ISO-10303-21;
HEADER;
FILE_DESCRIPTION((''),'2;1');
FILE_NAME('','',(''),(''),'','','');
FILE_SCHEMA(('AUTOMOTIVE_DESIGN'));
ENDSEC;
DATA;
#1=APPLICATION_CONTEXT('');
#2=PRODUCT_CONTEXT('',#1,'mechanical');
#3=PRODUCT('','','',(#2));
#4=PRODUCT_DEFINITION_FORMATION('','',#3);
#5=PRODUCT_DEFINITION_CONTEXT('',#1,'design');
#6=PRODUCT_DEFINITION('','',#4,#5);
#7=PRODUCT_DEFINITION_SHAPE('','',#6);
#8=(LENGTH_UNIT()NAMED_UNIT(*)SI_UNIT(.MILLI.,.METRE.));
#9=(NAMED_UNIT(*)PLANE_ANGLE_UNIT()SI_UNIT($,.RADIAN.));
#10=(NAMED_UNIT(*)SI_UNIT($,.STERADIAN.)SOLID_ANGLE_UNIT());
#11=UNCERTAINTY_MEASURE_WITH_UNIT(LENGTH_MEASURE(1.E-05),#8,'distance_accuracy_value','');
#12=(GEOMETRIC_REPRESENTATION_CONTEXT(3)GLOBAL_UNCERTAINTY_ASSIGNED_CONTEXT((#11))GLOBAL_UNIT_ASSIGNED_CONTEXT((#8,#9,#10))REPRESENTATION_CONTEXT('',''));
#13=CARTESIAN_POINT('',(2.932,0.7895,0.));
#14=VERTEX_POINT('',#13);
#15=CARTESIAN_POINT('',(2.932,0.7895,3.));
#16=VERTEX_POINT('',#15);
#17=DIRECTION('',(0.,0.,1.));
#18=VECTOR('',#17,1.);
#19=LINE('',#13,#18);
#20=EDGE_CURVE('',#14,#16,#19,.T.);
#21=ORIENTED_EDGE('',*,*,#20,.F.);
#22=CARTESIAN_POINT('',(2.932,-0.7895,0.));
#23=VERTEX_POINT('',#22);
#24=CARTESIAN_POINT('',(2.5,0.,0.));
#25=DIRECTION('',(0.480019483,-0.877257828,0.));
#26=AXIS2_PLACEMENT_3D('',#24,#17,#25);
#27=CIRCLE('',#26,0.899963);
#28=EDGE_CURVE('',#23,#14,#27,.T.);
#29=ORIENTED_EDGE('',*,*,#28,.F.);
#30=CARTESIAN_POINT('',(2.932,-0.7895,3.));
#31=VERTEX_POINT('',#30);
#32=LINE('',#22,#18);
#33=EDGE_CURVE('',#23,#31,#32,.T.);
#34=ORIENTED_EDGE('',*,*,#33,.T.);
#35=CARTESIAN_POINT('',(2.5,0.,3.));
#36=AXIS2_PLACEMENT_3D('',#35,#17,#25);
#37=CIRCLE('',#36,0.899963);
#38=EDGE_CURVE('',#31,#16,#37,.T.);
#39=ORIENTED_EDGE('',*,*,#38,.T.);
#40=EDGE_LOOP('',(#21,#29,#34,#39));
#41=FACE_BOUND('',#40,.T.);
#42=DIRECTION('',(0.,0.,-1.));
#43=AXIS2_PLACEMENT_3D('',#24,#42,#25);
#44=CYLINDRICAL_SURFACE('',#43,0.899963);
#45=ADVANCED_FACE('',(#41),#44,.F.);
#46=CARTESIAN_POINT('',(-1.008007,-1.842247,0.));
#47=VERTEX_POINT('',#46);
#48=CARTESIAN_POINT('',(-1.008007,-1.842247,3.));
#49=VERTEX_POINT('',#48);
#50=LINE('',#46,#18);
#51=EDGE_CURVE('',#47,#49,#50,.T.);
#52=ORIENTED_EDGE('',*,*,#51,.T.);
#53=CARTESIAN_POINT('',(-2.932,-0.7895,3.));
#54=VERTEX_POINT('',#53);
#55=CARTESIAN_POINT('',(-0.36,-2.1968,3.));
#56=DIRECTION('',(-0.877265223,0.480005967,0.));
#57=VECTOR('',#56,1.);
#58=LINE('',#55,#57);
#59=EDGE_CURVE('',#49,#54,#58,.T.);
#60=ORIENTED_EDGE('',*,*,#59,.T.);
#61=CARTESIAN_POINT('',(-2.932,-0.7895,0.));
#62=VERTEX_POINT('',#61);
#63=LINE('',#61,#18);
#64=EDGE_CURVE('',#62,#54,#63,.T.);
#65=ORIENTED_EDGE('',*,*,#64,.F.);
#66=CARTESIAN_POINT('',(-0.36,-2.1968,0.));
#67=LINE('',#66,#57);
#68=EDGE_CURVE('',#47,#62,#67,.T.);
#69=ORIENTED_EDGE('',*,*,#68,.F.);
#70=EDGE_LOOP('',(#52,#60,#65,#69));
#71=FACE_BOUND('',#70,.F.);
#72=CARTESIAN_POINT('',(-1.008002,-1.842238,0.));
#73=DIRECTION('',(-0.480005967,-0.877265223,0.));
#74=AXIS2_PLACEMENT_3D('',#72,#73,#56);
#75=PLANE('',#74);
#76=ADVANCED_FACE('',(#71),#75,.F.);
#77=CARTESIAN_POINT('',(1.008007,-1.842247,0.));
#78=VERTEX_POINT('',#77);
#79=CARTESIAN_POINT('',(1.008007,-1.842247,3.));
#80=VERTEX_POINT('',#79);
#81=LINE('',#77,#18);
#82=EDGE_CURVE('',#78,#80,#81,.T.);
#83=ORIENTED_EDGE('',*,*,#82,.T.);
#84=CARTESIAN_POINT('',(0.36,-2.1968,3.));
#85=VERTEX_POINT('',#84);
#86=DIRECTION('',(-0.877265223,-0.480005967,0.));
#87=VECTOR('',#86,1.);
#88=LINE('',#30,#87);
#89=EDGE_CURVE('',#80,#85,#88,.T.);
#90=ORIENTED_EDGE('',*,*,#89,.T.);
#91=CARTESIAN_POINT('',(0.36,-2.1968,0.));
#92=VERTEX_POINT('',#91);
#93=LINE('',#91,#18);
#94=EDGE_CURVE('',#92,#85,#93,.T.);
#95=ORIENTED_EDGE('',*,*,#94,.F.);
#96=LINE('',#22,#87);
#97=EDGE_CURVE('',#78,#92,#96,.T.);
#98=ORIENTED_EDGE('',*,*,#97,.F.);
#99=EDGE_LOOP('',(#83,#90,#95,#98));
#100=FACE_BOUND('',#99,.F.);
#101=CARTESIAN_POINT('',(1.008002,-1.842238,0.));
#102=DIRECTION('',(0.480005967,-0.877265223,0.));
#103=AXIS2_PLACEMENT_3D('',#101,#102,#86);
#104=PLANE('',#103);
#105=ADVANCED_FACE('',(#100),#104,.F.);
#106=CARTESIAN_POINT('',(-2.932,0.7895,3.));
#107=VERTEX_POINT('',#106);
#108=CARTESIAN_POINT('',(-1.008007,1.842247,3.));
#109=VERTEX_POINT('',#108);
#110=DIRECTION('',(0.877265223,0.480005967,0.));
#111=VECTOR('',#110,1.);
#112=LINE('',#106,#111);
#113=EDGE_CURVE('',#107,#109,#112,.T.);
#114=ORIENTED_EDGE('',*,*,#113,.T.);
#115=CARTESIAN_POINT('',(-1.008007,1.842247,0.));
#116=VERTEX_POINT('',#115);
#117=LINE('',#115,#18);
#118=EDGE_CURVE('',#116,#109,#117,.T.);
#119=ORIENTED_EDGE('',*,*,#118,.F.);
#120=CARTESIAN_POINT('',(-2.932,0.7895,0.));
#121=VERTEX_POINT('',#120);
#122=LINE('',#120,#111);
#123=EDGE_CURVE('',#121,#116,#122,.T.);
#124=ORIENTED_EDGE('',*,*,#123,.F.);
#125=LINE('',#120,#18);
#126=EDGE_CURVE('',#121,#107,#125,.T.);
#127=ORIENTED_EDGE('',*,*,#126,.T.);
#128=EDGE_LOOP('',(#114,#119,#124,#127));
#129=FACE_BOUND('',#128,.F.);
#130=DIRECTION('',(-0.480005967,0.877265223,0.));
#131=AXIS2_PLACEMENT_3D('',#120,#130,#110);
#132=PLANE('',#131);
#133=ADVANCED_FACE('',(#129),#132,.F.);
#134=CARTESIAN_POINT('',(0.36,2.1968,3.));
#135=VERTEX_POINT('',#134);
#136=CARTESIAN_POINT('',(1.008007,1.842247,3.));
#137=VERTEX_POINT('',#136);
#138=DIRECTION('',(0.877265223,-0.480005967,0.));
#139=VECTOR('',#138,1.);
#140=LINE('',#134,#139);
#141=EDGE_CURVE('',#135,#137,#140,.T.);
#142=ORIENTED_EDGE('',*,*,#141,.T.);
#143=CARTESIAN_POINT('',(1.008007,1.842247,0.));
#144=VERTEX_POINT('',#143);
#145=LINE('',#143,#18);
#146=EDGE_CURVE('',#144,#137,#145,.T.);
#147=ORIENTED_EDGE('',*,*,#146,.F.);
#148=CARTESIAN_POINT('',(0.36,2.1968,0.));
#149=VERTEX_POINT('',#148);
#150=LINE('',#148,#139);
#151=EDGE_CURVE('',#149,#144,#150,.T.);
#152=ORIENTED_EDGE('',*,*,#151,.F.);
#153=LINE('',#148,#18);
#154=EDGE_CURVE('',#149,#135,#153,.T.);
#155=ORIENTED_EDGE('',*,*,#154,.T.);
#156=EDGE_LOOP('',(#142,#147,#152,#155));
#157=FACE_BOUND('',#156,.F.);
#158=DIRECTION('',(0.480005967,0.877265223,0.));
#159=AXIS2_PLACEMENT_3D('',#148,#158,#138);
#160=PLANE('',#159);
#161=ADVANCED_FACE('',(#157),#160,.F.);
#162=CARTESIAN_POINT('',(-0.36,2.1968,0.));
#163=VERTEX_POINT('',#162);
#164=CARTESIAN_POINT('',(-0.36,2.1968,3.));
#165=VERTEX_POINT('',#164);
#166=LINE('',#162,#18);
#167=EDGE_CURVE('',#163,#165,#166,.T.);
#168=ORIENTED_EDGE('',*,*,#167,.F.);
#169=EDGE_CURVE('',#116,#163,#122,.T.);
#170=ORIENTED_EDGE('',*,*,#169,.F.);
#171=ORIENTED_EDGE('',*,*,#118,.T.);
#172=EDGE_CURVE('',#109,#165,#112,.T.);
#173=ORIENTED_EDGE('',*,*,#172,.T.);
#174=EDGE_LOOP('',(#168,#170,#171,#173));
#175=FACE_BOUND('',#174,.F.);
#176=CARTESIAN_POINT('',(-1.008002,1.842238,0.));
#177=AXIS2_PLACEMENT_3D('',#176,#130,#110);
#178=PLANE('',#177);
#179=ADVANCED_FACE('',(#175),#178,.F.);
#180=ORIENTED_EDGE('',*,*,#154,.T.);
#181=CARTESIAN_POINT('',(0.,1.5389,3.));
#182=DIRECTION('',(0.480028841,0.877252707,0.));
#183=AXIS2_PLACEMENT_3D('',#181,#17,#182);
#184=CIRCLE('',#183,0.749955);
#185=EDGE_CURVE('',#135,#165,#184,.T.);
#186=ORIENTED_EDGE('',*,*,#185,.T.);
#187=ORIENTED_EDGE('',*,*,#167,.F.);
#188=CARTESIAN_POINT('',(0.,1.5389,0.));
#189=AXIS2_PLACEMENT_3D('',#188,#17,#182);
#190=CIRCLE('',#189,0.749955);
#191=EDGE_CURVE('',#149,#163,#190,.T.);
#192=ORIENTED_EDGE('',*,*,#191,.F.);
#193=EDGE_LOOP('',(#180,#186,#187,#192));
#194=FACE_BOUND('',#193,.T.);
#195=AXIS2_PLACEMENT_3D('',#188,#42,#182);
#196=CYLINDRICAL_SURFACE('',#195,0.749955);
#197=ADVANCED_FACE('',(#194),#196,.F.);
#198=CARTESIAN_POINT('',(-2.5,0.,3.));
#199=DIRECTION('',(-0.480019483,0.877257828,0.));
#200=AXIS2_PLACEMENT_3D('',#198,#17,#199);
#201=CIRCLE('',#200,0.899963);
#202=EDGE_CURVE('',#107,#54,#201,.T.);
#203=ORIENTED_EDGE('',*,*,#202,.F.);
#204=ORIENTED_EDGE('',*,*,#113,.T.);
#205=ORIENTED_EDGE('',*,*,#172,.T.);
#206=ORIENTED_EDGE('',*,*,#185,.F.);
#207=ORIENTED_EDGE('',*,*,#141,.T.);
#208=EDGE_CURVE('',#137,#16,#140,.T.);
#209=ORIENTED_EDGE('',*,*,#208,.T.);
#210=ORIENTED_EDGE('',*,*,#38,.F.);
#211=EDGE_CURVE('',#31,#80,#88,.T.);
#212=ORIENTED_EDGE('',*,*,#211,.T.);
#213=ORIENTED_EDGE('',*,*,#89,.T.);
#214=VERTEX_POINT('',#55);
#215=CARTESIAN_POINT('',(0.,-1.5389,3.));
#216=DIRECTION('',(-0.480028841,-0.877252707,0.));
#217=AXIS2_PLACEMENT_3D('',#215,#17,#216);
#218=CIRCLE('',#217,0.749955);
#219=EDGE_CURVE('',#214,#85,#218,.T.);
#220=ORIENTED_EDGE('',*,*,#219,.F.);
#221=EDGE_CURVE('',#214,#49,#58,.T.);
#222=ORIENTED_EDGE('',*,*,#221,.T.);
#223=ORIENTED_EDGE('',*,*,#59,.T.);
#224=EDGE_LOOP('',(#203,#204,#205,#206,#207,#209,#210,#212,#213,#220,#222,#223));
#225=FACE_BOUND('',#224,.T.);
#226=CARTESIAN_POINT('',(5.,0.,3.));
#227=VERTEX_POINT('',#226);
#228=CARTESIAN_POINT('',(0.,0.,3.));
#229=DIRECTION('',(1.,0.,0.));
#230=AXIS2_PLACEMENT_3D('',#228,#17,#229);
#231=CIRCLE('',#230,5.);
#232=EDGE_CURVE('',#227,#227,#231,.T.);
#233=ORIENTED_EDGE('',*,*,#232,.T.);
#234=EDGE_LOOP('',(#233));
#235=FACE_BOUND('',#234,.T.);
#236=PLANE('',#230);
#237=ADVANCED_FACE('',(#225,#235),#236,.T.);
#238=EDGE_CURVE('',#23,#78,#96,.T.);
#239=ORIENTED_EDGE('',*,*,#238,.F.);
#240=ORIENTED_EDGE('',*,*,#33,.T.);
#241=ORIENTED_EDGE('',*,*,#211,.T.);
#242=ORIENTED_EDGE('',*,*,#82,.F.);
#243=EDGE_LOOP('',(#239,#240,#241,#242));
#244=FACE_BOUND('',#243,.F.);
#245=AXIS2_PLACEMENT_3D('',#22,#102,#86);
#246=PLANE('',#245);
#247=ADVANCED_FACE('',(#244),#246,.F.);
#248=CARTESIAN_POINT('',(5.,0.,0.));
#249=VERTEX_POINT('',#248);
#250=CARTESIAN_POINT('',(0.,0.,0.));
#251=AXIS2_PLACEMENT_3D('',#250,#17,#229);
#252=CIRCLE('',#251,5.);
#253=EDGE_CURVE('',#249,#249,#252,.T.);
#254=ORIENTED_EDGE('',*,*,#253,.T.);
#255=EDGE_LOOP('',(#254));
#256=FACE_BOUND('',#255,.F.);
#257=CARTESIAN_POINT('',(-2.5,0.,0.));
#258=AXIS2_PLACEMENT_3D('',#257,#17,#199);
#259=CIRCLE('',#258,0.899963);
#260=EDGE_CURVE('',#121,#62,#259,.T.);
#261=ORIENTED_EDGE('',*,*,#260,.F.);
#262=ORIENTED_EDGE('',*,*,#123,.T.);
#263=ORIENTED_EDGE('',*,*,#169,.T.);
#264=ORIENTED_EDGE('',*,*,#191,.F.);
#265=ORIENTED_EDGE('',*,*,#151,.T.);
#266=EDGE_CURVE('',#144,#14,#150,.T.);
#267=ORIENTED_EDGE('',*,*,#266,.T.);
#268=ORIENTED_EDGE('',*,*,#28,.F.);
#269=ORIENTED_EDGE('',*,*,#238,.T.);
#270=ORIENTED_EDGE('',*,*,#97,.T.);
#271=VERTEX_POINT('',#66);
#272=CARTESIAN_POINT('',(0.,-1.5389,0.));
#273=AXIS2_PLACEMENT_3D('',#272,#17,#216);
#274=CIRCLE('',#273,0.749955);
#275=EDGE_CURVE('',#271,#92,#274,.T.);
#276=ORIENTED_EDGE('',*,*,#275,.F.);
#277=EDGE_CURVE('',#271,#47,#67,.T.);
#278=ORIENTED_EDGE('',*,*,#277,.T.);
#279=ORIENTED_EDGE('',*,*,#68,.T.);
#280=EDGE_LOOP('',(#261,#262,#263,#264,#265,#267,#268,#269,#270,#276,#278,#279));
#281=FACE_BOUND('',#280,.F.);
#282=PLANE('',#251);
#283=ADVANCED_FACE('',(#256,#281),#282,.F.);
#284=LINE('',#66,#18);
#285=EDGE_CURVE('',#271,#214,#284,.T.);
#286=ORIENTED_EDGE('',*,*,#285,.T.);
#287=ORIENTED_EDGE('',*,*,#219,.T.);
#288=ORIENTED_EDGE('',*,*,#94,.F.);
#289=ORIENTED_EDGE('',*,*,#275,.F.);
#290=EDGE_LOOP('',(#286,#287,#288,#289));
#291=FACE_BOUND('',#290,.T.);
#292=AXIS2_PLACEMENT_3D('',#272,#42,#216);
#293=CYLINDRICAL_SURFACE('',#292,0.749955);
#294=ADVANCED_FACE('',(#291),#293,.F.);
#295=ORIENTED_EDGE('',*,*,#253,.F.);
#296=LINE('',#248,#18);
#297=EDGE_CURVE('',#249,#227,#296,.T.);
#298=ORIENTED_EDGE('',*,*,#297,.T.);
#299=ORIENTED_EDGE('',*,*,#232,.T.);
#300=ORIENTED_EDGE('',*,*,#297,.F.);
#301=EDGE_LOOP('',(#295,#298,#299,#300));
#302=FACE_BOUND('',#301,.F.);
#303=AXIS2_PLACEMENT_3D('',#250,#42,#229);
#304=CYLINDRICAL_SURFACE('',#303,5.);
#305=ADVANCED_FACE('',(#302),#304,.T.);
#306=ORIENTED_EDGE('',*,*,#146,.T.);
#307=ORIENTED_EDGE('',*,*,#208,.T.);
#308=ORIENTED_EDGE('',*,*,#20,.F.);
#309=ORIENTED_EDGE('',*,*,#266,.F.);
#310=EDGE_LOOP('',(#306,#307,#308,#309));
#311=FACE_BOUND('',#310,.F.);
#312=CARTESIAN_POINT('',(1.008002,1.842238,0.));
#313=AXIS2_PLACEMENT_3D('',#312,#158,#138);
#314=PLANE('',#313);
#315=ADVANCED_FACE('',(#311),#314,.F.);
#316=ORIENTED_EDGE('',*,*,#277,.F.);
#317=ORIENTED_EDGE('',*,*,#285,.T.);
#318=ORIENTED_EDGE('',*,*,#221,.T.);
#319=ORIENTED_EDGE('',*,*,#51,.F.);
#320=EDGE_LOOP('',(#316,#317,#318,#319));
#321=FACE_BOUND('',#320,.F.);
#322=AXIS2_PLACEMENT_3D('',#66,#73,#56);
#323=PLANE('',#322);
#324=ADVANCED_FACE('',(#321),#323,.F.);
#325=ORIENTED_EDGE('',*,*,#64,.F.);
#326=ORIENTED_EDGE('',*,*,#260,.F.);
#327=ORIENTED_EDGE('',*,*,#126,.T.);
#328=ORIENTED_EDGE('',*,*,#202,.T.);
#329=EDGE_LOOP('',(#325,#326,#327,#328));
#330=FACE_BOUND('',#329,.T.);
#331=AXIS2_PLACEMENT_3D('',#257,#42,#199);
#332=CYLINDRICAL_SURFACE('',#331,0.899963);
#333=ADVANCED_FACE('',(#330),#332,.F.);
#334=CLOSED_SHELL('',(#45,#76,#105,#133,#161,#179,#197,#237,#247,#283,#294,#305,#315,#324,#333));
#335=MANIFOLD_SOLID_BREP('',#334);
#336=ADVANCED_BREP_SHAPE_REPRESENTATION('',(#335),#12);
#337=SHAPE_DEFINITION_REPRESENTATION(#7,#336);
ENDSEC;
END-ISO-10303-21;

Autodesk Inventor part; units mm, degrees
ref_plane "YZ Plane" through (0, 0, 0) normal (1, 0, 0) x (0, 1, 0)
ref_plane "XZ Plane" through (0, 0, 0) normal (0, 1, 0) x (-1, 0, 0)
ref_plane "XY Plane" through (0, 0, 0) normal (0, 0, 1) x (1, 0, 0)
sketch "草圖4" plane through (0, 0, 0) normal (0, 0, 1) x (1, 0, 0)
  circle A0 centre (0, 0) radius 2.1
  circle A1 centre (0, 0) radius 5
  line L0 (-2.932, 0.7895) -> (-0.36, 2.1968)
  line L1 (-0.36, -2.1968) -> (-2.932, -0.7895)
  arc A2 (-2.932, 0.7895) -> (-2.932, -0.7895) centre (-2.5, 0) ccw
  arc A3 (-0.36, -2.1968) -> (0.36, -2.1968) centre (0, -1.5389) ccw
  arc A4 (0.36, 2.1968) -> (-0.36, 2.1968) centre (0, 1.5389) ccw
  line L2 (2.932, -0.7895) -> (0.36, -2.1968)
  line L3 (0.36, 2.1968) -> (2.932, 0.7895)
  arc A5 (2.932, -0.7895) -> (2.932, 0.7895) centre (2.5, 0) ccw
  dimension "d24" = 4.2
  dimension "d25" = 10
extrude "擠出3" add sketch "草圖4" along normal blind 3
